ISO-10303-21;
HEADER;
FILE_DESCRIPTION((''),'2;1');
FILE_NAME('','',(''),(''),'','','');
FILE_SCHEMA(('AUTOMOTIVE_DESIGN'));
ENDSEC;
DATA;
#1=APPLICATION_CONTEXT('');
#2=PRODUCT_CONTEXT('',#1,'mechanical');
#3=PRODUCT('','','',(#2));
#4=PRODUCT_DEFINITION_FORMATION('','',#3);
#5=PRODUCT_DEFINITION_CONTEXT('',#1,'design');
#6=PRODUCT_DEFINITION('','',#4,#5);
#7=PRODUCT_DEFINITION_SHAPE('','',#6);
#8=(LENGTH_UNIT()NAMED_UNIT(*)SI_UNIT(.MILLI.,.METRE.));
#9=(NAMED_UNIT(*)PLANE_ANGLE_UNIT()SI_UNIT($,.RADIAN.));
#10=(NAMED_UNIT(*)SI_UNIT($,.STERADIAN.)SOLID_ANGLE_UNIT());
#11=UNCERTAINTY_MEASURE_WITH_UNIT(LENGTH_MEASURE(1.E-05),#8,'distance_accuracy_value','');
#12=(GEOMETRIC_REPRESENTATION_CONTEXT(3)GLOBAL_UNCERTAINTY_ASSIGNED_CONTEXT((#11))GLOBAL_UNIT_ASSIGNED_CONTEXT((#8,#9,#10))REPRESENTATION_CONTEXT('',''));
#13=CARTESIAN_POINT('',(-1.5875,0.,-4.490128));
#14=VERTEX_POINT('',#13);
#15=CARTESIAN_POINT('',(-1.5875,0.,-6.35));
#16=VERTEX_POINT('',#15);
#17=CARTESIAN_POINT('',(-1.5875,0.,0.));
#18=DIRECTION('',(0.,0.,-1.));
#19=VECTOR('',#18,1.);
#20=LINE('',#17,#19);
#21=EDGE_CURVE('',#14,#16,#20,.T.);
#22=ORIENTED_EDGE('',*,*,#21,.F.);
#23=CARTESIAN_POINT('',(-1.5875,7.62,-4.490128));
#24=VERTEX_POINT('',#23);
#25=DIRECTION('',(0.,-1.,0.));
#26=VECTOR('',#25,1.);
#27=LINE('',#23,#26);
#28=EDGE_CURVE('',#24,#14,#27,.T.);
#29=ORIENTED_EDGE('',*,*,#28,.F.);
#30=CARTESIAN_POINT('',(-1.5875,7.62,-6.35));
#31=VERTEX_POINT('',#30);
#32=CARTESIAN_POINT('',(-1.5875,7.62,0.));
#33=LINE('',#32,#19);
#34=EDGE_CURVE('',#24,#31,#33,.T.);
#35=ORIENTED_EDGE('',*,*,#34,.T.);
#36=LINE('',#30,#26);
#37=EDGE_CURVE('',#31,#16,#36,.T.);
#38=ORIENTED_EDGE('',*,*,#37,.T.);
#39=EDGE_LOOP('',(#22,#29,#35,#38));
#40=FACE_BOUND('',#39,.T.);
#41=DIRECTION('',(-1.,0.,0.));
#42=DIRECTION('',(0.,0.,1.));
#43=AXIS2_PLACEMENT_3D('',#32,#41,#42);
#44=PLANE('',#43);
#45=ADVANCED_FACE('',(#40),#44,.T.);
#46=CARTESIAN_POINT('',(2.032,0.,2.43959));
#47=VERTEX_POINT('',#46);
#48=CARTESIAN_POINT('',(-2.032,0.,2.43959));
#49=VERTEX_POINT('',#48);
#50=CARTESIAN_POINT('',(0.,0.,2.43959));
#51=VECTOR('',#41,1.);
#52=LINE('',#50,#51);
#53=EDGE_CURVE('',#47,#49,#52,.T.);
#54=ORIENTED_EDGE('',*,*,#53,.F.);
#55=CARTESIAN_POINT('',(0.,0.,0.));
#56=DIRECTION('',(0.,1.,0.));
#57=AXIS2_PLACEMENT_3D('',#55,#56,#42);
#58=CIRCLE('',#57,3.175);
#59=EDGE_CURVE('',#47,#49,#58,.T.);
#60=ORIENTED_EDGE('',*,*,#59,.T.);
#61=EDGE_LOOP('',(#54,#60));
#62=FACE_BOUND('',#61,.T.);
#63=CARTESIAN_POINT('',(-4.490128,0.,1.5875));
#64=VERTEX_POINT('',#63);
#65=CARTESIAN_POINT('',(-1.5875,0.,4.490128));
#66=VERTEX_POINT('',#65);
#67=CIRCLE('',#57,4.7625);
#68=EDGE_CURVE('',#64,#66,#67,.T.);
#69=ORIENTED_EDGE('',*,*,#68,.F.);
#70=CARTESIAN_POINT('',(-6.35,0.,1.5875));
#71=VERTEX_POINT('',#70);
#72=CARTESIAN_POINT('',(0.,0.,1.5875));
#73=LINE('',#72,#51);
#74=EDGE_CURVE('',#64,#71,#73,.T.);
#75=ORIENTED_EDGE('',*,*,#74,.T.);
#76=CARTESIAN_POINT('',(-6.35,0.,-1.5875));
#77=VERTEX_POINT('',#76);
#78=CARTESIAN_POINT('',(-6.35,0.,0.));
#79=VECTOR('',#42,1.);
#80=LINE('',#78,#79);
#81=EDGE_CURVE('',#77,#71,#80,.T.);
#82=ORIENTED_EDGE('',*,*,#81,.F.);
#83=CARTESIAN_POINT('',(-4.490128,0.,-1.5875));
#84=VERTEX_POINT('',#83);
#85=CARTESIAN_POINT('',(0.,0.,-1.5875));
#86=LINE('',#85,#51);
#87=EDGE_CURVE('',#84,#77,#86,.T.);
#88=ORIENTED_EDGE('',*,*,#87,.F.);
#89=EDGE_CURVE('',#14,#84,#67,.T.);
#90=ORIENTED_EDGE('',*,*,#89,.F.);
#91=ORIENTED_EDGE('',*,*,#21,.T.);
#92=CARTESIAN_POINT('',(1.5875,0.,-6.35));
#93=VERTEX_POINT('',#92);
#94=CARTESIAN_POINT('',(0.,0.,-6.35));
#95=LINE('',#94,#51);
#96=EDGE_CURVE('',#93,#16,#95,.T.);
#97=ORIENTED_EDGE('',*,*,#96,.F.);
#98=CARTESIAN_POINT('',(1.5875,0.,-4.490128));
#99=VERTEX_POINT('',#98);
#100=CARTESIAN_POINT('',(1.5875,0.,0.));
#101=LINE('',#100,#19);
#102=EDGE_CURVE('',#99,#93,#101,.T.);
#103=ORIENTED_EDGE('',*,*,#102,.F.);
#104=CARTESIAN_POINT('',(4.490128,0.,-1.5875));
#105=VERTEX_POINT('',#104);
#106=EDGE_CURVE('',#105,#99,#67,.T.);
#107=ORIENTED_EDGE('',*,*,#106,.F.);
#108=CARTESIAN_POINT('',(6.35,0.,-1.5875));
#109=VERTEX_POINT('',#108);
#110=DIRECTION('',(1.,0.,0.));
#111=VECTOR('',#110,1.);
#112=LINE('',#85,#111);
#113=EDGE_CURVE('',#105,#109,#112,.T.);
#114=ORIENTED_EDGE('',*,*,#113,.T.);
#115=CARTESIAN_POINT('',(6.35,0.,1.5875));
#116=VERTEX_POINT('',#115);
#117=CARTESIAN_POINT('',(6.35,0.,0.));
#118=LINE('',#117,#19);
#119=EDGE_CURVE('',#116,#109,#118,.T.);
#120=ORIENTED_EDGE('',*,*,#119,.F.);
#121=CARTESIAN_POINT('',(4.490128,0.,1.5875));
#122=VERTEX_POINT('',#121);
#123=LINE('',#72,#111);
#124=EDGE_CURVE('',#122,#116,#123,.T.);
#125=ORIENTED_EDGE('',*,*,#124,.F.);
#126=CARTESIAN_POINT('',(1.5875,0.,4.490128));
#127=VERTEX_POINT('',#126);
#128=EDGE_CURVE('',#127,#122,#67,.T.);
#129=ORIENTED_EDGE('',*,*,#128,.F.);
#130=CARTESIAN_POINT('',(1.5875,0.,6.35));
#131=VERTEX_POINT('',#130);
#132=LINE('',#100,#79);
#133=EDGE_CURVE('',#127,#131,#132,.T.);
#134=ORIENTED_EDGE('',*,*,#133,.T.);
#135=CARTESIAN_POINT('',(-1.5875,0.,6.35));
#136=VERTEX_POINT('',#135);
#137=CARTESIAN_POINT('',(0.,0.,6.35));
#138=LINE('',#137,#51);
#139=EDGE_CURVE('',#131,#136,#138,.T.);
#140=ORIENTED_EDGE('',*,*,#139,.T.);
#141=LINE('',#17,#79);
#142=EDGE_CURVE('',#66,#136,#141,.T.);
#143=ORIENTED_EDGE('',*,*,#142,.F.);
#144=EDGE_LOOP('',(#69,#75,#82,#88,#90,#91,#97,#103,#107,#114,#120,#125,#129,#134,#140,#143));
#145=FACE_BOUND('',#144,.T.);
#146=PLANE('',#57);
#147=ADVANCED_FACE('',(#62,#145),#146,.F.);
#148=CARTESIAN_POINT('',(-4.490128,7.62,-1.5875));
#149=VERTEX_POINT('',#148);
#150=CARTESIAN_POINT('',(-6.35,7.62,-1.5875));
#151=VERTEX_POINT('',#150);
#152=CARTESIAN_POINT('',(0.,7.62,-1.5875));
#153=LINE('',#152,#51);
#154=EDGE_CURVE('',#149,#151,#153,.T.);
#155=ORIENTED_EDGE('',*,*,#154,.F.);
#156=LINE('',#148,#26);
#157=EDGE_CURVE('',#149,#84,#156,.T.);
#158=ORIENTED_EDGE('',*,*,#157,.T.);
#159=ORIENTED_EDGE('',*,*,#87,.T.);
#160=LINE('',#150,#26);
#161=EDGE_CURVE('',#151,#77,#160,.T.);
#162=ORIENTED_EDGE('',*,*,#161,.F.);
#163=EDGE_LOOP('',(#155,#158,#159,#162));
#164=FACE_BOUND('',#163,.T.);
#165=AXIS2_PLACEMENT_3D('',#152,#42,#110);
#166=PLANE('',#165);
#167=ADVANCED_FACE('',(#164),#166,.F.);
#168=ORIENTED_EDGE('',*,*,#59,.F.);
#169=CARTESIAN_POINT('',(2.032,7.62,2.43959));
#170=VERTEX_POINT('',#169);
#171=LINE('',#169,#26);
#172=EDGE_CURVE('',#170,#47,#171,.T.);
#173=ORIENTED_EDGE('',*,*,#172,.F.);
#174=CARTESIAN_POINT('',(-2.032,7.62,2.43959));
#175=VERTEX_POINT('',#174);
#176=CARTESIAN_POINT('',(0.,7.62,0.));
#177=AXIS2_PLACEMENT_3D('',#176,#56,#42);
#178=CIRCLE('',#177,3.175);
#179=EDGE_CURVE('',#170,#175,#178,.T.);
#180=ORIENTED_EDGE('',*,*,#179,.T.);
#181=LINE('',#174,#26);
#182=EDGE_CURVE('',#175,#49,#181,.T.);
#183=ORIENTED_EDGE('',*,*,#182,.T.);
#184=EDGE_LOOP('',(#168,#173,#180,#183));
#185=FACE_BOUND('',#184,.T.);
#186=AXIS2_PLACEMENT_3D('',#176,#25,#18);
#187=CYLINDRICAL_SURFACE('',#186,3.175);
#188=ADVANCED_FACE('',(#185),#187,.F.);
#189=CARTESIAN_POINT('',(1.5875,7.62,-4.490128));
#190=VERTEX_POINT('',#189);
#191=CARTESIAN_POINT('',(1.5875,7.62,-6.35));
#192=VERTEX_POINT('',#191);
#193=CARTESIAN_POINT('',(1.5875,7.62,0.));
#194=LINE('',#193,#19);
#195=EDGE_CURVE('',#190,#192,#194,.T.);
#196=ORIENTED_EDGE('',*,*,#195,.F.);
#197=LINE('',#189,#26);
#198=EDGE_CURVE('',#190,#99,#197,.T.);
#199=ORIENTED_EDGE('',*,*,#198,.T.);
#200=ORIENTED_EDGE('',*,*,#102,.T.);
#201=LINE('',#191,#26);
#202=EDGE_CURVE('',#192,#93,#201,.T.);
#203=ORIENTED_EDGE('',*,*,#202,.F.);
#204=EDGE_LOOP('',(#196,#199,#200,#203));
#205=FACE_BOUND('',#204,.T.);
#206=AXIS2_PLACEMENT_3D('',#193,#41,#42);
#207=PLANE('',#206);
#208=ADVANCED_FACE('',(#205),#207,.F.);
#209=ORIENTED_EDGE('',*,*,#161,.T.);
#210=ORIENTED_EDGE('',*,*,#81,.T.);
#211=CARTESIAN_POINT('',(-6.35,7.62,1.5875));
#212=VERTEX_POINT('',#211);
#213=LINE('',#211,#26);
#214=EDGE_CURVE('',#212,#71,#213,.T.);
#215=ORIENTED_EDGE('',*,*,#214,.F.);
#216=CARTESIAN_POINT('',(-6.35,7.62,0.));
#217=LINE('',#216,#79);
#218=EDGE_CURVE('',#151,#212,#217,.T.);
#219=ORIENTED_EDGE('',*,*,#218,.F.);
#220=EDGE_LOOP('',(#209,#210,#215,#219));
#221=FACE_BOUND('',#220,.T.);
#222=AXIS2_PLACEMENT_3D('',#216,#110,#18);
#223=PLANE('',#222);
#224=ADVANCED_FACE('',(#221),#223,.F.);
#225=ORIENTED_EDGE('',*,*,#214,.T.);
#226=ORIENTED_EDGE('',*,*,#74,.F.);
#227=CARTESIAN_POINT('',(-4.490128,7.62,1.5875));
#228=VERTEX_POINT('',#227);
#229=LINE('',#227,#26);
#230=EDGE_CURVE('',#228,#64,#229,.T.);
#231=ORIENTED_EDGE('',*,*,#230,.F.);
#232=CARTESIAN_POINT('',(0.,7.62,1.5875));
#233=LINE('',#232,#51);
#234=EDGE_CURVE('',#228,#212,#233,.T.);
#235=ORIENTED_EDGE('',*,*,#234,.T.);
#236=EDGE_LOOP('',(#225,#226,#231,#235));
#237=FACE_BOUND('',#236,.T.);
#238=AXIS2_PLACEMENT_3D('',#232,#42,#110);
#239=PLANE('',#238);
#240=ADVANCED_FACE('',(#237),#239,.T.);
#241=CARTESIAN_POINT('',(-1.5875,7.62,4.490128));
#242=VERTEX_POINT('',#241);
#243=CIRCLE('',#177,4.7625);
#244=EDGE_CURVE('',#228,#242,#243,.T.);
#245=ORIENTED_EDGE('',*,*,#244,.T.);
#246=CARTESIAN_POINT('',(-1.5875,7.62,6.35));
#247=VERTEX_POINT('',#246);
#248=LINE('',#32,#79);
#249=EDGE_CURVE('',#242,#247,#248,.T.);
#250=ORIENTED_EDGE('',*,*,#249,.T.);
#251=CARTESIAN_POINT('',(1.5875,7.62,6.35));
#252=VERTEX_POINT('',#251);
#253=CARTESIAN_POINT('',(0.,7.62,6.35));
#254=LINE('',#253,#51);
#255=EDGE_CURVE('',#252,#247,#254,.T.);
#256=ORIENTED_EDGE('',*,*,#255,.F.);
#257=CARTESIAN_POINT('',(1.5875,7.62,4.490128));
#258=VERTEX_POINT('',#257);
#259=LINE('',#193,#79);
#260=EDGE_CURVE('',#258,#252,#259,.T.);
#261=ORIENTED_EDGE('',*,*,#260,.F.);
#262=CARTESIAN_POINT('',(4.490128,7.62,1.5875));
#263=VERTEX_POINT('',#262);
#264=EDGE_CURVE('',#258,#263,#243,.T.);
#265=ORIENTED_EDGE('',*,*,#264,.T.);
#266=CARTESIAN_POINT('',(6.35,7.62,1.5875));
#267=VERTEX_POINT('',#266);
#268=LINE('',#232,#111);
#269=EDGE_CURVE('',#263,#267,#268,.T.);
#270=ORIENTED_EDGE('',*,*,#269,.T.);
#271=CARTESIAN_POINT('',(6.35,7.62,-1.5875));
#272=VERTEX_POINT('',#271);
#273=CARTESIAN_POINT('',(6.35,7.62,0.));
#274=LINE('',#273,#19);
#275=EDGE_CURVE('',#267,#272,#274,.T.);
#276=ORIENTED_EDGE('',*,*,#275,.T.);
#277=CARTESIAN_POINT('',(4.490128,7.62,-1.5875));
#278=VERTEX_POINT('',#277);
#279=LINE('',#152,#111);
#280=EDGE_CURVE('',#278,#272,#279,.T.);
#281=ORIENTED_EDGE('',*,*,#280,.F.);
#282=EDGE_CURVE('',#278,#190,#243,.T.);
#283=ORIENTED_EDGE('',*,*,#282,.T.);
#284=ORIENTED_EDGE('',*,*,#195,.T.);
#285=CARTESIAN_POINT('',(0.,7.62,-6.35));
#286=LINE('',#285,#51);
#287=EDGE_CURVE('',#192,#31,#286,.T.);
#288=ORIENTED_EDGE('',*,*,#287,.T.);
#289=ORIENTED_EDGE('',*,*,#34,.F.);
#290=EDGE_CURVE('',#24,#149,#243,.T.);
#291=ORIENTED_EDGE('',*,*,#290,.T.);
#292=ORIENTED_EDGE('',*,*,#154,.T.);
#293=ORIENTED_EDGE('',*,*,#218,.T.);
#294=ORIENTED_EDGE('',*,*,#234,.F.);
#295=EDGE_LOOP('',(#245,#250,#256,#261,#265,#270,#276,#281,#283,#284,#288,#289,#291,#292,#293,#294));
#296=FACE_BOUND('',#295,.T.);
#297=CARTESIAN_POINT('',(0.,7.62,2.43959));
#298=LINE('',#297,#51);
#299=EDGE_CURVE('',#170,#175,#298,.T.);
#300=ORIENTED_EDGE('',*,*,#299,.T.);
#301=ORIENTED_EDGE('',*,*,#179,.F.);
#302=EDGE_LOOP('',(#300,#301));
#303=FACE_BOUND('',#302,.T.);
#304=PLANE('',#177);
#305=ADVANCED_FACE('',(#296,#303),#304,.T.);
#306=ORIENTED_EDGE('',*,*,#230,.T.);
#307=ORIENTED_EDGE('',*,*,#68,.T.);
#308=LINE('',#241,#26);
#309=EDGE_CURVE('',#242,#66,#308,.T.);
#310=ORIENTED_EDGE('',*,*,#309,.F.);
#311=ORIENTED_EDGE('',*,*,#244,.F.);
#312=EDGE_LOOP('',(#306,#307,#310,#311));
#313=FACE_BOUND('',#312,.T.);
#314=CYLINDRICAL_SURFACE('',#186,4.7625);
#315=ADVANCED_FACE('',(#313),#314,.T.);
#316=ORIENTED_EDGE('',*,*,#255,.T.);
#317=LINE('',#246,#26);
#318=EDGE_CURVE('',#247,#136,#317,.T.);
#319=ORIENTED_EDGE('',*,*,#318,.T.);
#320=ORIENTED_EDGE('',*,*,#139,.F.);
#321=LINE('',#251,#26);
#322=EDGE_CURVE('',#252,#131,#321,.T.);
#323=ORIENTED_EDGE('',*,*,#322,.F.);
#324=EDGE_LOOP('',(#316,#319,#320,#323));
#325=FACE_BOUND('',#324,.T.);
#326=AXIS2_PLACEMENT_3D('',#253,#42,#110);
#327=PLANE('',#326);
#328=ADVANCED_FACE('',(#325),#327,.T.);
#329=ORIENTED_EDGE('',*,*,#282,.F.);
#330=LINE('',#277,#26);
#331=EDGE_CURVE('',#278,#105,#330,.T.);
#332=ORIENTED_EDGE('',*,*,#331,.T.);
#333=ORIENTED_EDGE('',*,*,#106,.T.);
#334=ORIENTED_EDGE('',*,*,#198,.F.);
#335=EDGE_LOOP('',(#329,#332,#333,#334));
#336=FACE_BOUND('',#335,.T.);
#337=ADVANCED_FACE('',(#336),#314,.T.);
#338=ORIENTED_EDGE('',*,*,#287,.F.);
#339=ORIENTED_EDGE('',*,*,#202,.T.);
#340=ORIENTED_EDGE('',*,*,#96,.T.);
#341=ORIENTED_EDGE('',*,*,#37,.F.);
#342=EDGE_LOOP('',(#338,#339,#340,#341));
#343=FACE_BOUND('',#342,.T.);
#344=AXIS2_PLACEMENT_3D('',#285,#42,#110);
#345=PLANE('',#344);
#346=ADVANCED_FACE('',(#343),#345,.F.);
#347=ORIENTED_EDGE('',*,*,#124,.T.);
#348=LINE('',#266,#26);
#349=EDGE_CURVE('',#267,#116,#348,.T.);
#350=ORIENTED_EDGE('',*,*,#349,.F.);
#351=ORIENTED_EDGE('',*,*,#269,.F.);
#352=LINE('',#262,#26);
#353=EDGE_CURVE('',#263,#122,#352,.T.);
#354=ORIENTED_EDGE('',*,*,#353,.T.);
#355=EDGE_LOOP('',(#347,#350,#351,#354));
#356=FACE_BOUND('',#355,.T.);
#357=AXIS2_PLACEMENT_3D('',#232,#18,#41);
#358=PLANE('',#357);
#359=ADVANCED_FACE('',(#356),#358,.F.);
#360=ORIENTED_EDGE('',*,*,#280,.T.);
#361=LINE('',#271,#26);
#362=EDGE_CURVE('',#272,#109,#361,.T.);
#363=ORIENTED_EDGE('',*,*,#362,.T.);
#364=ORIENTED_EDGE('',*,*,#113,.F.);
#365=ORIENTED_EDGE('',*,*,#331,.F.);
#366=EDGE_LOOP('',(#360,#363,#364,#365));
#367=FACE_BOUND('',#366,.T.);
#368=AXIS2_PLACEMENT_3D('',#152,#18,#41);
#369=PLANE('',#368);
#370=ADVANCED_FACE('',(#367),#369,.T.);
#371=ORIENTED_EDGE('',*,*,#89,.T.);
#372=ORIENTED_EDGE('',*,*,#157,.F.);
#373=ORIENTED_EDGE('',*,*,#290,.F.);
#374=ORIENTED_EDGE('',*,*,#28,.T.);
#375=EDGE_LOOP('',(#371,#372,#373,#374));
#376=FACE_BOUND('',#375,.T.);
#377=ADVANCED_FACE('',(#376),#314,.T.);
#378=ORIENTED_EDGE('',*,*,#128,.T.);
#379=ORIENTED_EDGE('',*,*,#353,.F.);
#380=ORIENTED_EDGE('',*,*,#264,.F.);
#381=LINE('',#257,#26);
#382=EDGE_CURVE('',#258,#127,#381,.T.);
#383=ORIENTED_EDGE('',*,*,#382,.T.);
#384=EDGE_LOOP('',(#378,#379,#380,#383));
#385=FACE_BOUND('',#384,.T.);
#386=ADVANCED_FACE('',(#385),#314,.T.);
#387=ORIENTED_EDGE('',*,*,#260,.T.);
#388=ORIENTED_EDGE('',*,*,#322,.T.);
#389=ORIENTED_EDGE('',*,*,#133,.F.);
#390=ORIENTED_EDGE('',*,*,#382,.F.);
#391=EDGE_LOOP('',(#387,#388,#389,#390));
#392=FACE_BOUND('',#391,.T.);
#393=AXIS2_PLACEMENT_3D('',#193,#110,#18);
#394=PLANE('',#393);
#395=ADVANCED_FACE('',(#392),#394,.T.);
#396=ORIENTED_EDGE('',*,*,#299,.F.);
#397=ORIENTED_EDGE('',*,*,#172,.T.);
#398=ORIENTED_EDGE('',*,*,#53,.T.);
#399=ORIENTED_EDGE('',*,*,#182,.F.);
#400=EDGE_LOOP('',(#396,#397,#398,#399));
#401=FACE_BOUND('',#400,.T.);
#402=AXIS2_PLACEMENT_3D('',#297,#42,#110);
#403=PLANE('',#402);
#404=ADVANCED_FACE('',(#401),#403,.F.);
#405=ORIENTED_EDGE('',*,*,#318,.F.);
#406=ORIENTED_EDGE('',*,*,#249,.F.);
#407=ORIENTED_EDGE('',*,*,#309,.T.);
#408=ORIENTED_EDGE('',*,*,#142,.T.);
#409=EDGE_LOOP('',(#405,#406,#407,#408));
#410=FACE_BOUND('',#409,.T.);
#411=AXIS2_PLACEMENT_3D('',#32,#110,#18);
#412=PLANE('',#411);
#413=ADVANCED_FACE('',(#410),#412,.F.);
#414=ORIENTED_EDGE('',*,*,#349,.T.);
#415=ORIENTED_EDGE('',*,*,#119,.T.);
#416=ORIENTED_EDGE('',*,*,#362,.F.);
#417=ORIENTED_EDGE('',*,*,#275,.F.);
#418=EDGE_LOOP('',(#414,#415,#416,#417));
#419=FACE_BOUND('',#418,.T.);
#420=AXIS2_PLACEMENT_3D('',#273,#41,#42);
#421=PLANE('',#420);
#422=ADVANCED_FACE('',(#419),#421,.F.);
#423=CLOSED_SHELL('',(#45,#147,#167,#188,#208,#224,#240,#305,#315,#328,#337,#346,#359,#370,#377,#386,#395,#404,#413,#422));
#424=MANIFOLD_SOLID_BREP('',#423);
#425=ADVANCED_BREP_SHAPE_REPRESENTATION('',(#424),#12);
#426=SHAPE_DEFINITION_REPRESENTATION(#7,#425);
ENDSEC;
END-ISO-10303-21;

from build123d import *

# Parameters (mm, degrees)
BOSS_EXTRUDE3_DEPTH = 7.62


with BuildPart() as part:
    # Sketch3 → Boss-Extrude3 (new body)
    with BuildSketch(Plane(origin=(0, 0, 0), x_dir=(1, 0, 0), z_dir=(0, 1, 0))):
        with BuildLine():
            ThreePointArc((-1.5875, 4.490128061), (0, 4.7625), (1.5875, 4.490128061))
            Line((1.5875, 4.490128061), (1.5875, 6.35))
            Line((1.5875, 6.35), (-1.5875, 6.35))
            Line((-1.5875, 6.35), (-1.5875, 4.490128061))
        make_face()
        with BuildLine():
            Line((-6.35, -1.5875), (-4.490128061, -1.5875))
            ThreePointArc((-4.490128061, -1.5875), (-4.7625, 0), (-4.490128061, 1.5875))
            Line((-4.490128061, 1.5875), (-6.35, 1.5875))
            Line((-6.35, 1.5875), (-6.35, -1.5875))
        make_face()
        with BuildLine():
            Line((-4.490128061, 1.5875), (-2.749630657, 1.5875))
            ThreePointArc((-2.749630657, 1.5875), (-2.24506403, 2.24506403), (-1.5875, 2.749630657))
            Line((-1.5875, 2.749630657), (-1.5875, 4.490128061))
            ThreePointArc((-1.5875, 4.490128061), (-3.367596045, 3.367596045), (-4.490128061, 1.5875))
        make_face()
        with BuildLine():
            Line((-4.490128061, -1.5875), (-2.749630657, -1.5875))
            ThreePointArc((-2.749630657, -1.5875), (-3.175, 0), (-2.749630657, 1.5875))
            Line((-2.749630657, 1.5875), (-4.490128061, 1.5875))
            ThreePointArc((-4.490128061, 1.5875), (-4.7625, 0), (-4.490128061, -1.5875))
        make_face()
        with BuildLine():
            ThreePointArc((-1.5875, 2.749630657), (0, 3.175), (1.5875, 2.749630657))
            Line((1.5875, 2.749630657), (1.5875, 4.490128061))
            ThreePointArc((1.5875, 4.490128061), (0, 4.7625), (-1.5875, 4.490128061))
            Line((-1.5875, 4.490128061), (-1.5875, 2.749630657))
        make_face()
        with BuildLine():
            ThreePointArc((1.5875, 2.749630657), (2.24506403, 2.24506403), (2.749630657, 1.5875))
            Line((2.749630657, 1.5875), (4.490128061, 1.5875))
            ThreePointArc((4.490128061, 1.5875), (3.367596045, 3.367596045), (1.5875, 4.490128061))
            Line((1.5875, 4.490128061), (1.5875, 2.749630657))
        make_face()
        with BuildLine():
            ThreePointArc((4.7625, 0), (4.69391314, -0.805348174), (4.490128061, -1.5875))
            Line((4.490128061, -1.5875), (6.35, -1.5875))
            Line((6.35, -1.5875), (6.35, 1.5875))
            Line((6.35, 1.5875), (4.490128061, 1.5875))
            ThreePointArc((4.490128061, 1.5875), (4.69391314, 0.805348174), (4.7625, 0))
        make_face()
        with BuildLine():
            ThreePointArc((3.175, 0), (3.066814498, -0.821750468), (2.749630657, -1.5875))
            Line((2.749630657, -1.5875), (4.490128061, -1.5875))
            ThreePointArc((4.490128061, -1.5875), (4.69391314, -0.805348174), (4.7625, 0))
            ThreePointArc((4.7625, 0), (4.69391314, 0.805348174), (4.490128061, 1.5875))
            Line((4.490128061, 1.5875), (2.749630657, 1.5875))
            ThreePointArc((2.749630657, 1.5875), (3.066814498, 0.821750468), (3.175, 0))
        make_face()
        with BuildLine():
            Line((-1.5875, -4.490128061), (-1.5875, -2.749630657))
            ThreePointArc((-1.5875, -2.749630657), (-1.81637725, -2.604111881), (-2.032, -2.439590334))
            ThreePointArc((-2.032, -2.439590334), (-2.428479446, -2.045265895), (-2.749630657, -1.5875))
            Line((-2.749630657, -1.5875), (-4.490128061, -1.5875))
            ThreePointArc((-4.490128061, -1.5875), (-3.367596045, -3.367596045), (-1.5875, -4.490128061))
        make_face()
        with BuildLine():
            Line((-1.5875, -2.749630657), (-1.5875, -2.439590334))
            Line((-1.5875, -2.439590334), (-2.032, -2.439590334))
            ThreePointArc((-2.032, -2.439590334), (-1.81637725, -2.604111881), (-1.5875, -2.749630657))
        make_face()
        with BuildLine():
            Line((1.5875, -2.749630657), (1.5875, -2.439590334))
            Line((1.5875, -2.439590334), (-1.5875, -2.439590334))
            Line((-1.5875, -2.439590334), (-1.5875, -2.749630657))
            ThreePointArc((-1.5875, -2.749630657), (0, -3.175), (1.5875, -2.749630657))
        make_face()
        with BuildLine():
            ThreePointArc((1.5875, -2.749630657), (1.81637725, -2.604111881), (2.032, -2.439590334))
            Line((2.032, -2.439590334), (1.5875, -2.439590334))
            Line((1.5875, -2.439590334), (1.5875, -2.749630657))
        make_face()
        with BuildLine():
            ThreePointArc((2.749630657, -1.5875), (2.428479446, -2.045265895), (2.032, -2.439590334))
            ThreePointArc((2.032, -2.439590334), (1.81637725, -2.604111881), (1.5875, -2.749630657))
            Line((1.5875, -2.749630657), (1.5875, -4.490128061))
            ThreePointArc((1.5875, -4.490128061), (3.367596045, -3.367596045), (4.490128061, -1.5875))
            Line((4.490128061, -1.5875), (2.749630657, -1.5875))
        make_face()
        with BuildLine():
            Line((1.5875, -4.490128061), (1.5875, -2.749630657))
            ThreePointArc((1.5875, -2.749630657), (0, -3.175), (-1.5875, -2.749630657))
            Line((-1.5875, -2.749630657), (-1.5875, -4.490128061))
            ThreePointArc((-1.5875, -4.490128061), (0, -4.7625), (1.5875, -4.490128061))
        make_face()
        with BuildLine():
            Line((1.5875, -6.35), (1.5875, -4.490128061))
            ThreePointArc((1.5875, -4.490128061), (0, -4.7625), (-1.5875, -4.490128061))
            Line((-1.5875, -4.490128061), (-1.5875, -6.35))
            Line((-1.5875, -6.35), (1.5875, -6.35))
        make_face()
    extrude(amount=BOSS_EXTRUDE3_DEPTH)


solid = part.part
